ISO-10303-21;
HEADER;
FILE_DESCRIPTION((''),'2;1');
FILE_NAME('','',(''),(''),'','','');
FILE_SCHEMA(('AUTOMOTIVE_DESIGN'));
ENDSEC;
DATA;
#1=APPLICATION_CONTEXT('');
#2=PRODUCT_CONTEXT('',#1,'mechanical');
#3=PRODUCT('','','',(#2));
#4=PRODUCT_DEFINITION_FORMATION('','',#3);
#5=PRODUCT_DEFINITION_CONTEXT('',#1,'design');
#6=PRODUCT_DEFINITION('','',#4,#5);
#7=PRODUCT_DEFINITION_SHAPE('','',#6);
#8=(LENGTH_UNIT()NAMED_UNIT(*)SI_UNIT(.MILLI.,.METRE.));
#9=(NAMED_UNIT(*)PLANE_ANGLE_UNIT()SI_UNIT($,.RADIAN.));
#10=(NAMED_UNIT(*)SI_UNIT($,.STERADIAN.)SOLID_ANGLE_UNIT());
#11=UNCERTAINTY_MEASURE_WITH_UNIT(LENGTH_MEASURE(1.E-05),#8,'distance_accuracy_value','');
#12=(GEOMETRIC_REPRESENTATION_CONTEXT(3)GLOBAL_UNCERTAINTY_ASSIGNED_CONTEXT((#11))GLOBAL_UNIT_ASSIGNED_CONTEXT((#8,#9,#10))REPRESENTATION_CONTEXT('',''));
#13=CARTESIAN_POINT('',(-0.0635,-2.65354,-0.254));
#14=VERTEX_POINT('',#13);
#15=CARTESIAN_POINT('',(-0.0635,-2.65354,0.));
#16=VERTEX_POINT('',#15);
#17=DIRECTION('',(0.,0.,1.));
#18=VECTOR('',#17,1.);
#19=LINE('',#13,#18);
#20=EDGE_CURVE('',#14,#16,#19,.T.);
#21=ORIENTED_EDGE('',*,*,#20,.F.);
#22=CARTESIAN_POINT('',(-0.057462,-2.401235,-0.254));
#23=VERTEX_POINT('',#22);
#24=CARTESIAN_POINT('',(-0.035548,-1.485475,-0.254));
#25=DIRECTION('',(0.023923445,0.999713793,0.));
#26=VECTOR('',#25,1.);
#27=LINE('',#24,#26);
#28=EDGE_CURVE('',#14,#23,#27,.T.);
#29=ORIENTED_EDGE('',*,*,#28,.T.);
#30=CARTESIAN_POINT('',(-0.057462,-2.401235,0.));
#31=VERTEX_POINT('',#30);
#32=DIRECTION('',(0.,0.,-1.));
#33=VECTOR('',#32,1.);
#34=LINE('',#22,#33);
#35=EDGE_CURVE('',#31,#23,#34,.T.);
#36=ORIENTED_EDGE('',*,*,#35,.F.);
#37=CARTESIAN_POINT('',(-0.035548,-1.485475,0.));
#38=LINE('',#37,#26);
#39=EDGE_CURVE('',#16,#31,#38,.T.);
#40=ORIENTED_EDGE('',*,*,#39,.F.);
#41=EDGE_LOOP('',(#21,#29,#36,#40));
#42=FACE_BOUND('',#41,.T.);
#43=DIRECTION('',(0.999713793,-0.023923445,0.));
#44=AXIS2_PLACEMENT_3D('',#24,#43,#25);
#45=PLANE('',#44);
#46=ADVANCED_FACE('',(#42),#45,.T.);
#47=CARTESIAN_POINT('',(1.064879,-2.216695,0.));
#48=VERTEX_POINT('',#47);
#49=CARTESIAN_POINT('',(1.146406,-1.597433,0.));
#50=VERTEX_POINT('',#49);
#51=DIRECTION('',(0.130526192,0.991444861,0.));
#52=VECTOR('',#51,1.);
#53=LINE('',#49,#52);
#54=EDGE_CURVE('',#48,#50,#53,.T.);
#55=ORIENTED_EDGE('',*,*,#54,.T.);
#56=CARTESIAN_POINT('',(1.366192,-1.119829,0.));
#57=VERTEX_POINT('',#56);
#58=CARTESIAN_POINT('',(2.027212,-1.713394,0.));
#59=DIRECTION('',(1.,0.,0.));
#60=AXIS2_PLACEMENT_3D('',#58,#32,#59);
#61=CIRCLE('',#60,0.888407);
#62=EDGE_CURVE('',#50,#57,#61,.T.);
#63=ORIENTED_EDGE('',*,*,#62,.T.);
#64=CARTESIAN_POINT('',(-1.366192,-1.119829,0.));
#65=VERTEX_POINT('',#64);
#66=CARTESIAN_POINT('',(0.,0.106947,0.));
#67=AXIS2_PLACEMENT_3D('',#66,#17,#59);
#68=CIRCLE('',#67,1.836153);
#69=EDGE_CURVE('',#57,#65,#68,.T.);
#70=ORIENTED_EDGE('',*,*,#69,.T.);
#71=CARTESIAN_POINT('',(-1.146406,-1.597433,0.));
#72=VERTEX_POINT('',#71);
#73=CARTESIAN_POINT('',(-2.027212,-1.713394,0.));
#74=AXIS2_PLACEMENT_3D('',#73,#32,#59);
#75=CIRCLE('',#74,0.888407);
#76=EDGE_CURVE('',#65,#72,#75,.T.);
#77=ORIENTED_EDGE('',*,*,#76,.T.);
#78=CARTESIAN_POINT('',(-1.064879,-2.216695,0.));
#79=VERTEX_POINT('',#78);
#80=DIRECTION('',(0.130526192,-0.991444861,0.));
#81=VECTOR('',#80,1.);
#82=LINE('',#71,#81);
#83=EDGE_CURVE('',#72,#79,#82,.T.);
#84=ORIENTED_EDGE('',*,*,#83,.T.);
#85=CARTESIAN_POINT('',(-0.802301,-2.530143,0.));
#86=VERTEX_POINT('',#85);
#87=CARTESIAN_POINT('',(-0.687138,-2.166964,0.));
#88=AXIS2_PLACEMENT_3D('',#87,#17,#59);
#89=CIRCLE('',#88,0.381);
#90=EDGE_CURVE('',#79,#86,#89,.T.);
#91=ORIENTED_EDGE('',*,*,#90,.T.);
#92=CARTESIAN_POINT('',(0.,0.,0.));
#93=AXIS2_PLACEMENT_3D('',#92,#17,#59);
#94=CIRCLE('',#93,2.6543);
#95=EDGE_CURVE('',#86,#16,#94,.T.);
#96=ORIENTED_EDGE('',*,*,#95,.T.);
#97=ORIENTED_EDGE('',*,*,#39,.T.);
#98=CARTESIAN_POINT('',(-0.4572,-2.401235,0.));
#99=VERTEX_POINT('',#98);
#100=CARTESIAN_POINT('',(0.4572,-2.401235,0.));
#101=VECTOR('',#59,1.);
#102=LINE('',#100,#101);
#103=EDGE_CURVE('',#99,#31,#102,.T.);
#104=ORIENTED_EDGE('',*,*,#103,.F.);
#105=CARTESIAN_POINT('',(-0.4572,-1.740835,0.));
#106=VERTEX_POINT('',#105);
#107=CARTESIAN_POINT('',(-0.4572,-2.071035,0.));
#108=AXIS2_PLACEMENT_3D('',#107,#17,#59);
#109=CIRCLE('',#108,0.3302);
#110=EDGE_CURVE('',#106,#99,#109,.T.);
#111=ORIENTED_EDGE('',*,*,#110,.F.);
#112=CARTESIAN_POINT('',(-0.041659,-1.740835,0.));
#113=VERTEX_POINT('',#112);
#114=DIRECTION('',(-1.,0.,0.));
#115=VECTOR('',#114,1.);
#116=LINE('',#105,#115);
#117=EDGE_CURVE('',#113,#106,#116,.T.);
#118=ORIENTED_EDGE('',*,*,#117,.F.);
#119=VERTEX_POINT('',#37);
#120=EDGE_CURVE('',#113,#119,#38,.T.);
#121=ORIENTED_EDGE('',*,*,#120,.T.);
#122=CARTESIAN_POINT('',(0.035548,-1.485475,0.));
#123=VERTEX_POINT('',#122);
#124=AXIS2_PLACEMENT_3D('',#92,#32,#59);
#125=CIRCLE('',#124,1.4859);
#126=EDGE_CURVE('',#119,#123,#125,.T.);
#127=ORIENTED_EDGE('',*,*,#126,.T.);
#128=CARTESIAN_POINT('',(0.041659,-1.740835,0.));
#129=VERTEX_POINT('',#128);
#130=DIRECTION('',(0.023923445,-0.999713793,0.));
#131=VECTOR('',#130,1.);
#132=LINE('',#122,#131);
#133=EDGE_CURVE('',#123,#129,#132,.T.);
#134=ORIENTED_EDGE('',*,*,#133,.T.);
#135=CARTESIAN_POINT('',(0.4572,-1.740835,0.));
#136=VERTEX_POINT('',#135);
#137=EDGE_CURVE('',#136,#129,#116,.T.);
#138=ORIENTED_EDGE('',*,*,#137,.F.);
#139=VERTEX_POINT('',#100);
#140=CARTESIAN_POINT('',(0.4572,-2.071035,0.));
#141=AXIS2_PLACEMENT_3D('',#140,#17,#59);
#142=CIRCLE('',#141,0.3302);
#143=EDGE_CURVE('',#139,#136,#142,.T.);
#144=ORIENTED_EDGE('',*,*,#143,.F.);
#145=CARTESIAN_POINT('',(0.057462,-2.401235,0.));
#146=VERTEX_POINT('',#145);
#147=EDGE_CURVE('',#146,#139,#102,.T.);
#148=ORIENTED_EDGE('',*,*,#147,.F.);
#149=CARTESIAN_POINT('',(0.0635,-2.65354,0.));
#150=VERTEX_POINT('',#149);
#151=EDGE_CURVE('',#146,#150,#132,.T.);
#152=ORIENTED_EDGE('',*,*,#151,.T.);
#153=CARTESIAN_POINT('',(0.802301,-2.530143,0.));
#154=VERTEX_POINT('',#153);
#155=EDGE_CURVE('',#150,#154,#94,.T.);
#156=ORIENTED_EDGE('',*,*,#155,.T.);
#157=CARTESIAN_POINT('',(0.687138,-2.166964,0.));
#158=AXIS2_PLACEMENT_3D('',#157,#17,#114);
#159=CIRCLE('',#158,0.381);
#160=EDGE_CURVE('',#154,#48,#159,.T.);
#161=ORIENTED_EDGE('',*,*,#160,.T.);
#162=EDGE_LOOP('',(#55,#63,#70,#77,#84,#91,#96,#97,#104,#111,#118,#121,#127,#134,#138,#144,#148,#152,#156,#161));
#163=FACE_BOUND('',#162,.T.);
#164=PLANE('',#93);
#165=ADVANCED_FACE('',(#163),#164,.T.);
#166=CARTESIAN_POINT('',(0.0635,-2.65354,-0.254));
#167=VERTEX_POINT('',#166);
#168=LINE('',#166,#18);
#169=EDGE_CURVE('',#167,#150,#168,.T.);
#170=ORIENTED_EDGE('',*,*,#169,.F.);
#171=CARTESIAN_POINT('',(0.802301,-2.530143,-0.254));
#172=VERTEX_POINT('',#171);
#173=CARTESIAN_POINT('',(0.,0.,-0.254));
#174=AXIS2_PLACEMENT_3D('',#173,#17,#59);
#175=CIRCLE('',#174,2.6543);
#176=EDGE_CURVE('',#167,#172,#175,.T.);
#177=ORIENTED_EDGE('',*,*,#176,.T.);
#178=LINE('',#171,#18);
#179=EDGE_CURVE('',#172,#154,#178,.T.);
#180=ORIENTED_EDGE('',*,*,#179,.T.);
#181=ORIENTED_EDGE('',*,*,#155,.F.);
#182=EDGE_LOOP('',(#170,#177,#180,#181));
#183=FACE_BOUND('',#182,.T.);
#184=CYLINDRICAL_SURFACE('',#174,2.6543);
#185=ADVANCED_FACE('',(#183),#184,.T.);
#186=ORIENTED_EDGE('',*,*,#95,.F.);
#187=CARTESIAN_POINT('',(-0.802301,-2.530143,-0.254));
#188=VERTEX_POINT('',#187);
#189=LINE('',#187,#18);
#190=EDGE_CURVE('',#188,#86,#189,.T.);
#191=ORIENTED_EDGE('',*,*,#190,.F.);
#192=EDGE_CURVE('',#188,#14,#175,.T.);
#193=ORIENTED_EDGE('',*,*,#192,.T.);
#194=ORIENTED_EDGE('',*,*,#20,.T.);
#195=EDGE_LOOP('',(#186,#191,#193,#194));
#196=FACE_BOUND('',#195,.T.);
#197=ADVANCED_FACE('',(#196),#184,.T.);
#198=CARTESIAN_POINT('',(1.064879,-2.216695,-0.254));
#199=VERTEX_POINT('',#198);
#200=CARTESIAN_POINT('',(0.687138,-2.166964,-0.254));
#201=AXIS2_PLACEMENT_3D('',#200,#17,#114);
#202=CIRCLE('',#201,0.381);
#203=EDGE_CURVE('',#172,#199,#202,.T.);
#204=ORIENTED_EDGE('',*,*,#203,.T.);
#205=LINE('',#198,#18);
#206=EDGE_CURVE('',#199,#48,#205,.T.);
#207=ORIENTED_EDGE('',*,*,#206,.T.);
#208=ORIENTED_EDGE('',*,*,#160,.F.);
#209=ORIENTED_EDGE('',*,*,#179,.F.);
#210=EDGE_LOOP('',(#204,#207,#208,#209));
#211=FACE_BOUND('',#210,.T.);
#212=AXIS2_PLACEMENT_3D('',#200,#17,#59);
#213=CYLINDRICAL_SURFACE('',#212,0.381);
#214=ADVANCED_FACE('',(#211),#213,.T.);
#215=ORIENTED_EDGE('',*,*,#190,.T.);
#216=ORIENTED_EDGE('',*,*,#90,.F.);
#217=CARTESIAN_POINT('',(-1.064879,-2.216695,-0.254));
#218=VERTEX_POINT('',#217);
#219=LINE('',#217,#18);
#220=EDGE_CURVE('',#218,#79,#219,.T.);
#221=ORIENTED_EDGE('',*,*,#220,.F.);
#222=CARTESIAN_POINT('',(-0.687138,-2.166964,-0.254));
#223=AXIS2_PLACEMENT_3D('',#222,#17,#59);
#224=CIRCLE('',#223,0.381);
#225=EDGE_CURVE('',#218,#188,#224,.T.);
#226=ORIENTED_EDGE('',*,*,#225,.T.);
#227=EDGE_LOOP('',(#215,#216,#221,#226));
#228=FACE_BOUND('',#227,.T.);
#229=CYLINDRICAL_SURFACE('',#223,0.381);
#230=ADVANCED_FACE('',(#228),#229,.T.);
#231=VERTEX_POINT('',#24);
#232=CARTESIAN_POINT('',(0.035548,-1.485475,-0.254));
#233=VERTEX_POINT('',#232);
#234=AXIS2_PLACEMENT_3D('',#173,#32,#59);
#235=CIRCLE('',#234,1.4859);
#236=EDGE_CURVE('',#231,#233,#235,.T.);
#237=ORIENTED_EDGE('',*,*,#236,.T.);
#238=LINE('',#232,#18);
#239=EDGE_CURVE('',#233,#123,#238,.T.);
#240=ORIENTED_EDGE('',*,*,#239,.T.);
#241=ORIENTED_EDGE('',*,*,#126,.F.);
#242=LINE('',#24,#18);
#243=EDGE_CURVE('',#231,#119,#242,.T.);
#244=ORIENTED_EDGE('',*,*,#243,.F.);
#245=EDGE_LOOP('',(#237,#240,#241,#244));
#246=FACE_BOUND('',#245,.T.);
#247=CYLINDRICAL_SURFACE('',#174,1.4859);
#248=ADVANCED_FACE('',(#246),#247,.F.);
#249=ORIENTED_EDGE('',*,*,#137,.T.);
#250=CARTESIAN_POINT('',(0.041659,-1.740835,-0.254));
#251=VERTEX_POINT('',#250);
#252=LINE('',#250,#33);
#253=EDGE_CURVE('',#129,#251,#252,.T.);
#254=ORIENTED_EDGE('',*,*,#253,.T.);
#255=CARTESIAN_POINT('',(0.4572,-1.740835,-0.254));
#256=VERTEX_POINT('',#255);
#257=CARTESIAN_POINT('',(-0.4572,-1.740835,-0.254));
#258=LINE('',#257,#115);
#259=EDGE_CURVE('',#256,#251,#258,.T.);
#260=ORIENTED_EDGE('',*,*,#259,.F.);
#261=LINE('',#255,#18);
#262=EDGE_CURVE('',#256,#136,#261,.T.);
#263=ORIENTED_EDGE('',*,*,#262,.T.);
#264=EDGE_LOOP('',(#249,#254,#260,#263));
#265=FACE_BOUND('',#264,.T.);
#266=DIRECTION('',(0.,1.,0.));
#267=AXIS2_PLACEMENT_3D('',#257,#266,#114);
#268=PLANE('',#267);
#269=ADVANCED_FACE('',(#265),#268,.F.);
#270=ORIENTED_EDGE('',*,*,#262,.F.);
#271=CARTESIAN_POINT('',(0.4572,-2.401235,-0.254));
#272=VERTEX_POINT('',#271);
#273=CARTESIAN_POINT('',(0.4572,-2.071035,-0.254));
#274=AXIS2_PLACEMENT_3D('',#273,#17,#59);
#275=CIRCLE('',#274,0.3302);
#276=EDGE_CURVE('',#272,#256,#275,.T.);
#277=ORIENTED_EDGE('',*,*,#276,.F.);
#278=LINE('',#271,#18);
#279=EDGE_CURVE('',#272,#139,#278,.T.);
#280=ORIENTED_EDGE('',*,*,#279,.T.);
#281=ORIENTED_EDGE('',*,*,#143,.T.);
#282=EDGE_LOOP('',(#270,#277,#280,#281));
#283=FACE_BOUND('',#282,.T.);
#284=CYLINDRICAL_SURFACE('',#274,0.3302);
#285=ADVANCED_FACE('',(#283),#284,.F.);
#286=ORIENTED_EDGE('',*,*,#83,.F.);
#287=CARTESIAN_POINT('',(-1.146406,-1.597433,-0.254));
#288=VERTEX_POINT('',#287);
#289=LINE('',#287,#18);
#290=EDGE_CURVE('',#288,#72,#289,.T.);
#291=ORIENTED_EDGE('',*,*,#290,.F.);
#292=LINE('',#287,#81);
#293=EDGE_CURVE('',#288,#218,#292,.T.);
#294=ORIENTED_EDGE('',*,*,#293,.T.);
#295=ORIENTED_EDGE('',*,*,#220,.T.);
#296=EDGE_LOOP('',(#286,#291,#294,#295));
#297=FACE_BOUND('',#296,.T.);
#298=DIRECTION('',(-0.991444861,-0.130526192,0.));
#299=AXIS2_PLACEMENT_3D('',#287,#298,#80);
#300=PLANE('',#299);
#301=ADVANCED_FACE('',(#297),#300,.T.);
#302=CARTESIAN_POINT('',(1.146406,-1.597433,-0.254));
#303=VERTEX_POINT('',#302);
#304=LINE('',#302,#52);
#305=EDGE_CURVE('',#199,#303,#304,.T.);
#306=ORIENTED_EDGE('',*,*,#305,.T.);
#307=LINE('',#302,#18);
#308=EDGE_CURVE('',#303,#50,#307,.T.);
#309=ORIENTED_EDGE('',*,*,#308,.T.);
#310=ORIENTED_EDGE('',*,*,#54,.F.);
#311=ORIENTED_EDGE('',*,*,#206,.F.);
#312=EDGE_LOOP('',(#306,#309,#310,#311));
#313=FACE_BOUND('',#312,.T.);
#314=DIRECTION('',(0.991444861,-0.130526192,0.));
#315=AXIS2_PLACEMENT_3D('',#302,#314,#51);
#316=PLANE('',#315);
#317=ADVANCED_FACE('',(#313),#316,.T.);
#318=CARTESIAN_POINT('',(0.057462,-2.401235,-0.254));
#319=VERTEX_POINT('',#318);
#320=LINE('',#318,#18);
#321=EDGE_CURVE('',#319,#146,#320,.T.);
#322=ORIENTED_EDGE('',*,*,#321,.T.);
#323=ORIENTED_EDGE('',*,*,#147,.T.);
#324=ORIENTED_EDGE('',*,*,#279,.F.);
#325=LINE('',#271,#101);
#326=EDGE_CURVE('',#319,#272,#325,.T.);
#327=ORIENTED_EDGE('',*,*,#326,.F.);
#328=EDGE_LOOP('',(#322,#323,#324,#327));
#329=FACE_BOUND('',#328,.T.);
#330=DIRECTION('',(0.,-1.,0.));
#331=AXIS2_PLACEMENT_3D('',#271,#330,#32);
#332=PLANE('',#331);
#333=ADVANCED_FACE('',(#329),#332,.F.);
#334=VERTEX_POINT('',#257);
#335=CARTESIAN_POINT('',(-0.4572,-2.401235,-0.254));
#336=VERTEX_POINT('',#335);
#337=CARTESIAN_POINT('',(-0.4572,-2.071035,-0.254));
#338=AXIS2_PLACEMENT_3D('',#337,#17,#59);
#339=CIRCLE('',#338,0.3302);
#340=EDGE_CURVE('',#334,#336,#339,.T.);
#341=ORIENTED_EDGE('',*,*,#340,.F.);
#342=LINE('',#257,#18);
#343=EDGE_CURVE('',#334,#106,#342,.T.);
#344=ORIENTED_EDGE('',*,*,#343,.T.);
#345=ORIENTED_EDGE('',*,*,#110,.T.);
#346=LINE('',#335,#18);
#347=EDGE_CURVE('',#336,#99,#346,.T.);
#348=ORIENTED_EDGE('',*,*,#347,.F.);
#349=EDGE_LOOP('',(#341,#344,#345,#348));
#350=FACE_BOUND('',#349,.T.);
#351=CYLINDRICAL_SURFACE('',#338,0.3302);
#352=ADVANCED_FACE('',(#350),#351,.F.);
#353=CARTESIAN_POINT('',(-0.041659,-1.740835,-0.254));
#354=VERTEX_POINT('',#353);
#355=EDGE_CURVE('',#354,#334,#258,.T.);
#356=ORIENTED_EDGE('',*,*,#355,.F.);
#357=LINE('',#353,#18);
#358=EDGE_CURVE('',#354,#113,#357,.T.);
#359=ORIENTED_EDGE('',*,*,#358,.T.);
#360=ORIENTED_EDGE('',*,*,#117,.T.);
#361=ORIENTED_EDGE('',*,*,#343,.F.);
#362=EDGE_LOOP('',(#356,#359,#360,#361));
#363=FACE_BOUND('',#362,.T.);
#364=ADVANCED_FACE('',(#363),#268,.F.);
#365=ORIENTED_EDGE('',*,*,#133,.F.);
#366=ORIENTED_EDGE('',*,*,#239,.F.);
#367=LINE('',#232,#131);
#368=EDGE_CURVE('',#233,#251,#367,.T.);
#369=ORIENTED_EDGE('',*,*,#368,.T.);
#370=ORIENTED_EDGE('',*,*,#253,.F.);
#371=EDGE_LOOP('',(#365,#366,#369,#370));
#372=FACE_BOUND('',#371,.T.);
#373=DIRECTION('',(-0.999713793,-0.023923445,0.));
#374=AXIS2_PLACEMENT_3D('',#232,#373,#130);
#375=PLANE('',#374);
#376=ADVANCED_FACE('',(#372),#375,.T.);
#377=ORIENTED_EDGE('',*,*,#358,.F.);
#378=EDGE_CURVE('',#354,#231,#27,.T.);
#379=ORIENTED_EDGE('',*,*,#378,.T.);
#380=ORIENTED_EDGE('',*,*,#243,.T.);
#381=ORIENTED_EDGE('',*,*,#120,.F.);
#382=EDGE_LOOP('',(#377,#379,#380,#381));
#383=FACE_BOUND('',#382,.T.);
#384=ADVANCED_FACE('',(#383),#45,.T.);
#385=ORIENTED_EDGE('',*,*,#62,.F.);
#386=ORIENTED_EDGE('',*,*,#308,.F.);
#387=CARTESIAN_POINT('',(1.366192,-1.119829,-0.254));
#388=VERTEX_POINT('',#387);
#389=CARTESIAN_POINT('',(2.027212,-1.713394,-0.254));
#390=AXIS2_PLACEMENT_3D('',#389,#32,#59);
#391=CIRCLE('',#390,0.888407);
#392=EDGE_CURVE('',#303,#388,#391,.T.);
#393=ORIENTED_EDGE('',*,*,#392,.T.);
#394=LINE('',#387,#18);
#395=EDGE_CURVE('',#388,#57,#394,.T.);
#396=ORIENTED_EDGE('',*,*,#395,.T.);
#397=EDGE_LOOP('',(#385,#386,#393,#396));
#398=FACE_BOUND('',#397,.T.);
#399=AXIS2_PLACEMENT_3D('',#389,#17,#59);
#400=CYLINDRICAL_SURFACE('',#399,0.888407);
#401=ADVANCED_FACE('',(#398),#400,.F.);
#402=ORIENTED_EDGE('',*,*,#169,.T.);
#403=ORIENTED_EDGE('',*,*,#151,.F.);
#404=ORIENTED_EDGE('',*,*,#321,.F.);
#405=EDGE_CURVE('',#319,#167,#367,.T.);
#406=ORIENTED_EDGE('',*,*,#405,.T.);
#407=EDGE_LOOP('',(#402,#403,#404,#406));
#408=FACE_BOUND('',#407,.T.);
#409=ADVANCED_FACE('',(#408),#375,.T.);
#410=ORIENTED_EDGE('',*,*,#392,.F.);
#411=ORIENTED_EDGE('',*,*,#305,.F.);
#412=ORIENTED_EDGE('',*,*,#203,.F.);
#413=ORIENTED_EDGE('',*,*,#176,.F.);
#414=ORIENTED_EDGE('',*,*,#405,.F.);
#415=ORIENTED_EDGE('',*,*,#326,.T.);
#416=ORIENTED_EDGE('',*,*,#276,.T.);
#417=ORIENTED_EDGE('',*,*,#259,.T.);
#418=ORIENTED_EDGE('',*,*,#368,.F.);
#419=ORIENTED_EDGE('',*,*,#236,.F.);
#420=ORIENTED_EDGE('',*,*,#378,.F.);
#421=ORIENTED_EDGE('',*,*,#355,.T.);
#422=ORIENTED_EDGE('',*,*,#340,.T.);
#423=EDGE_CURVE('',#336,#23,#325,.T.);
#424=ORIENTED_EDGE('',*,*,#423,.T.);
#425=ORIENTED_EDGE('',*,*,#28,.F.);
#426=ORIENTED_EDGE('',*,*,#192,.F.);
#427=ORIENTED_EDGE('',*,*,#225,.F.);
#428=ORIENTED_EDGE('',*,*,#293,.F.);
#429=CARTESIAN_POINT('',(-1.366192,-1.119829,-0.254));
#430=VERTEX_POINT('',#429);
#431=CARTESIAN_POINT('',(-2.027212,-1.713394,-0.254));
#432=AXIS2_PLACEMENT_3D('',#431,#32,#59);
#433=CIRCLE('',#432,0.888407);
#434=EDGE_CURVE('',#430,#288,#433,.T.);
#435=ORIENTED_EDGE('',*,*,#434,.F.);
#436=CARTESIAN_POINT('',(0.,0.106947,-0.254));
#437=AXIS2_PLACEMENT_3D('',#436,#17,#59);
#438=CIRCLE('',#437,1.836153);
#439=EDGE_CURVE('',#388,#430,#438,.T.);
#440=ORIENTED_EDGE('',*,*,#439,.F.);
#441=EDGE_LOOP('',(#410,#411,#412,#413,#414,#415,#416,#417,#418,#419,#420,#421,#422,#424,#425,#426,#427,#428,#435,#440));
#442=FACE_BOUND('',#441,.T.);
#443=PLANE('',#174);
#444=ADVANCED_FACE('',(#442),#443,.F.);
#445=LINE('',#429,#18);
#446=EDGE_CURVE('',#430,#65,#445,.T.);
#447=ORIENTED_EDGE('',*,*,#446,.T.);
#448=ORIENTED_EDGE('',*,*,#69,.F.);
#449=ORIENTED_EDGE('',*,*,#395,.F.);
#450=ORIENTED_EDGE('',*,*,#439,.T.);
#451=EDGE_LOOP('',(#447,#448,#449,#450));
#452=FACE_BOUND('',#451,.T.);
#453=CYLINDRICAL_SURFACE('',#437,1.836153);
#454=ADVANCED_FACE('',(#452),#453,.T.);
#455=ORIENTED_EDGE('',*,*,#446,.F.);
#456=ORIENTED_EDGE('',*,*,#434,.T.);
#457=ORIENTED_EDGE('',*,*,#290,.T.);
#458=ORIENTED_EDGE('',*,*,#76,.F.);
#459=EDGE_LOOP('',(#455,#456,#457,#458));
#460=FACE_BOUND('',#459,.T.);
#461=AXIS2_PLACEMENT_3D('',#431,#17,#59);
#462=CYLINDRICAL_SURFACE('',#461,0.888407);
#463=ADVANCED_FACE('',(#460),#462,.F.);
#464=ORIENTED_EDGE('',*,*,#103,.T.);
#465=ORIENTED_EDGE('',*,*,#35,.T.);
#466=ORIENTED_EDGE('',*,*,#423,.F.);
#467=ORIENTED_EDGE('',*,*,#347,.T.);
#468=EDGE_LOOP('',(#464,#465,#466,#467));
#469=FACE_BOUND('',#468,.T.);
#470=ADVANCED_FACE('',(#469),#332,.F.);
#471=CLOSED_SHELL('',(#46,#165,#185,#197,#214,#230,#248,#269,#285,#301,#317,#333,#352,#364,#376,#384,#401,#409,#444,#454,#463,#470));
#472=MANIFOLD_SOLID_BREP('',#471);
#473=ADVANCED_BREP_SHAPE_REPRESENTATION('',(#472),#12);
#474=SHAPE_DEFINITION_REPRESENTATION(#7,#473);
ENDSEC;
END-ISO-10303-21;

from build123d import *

# Parameters (mm, degrees)
BODYSKE_R   = 0.3302
BODY_DEPTH  = 0.254
NOTSKE_W    = 0.9144
NOTSKE_H    = 0.6604
NOTCH_DEPTH = 4.236858287


with BuildPart() as part:
    # BodySke → Body (new body)
    with BuildSketch(Plane.XY):
        with BuildLine():
            Line((0.035547847, -1.485474726), (0.0635, -2.653540322))
            ThreePointArc((0.0635, -2.653540322), (0.437275158, -2.618033408), (0.802300937, -2.530142624))
            ThreePointArc((0.802300937, -2.530142624), (0.97920115, -2.411627675), (1.064878615, -2.216694736))
            Line((1.064878615, -2.216694736), (1.146405921, -1.597433366))
            ThreePointArc((1.146405921, -1.597433366), (1.220159808, -1.342000445), (1.366192167, -1.119828973))
            ThreePointArc((1.366192167, -1.119828973), (0, 1.9431), (-1.366192167, -1.119828973))
            ThreePointArc((-1.366192167, -1.119828973), (-1.220159808, -1.342000445), (-1.146405921, -1.597433366))
            Line((-1.146405921, -1.597433366), (-1.064878615, -2.216694736))
            ThreePointArc((-1.064878615, -2.216694736), (-0.97920115, -2.411627675), (-0.802300937, -2.530142624))
            ThreePointArc((-0.802300937, -2.530142624), (-0.437275158, -2.618033408), (-0.0635, -2.653540322))
            Line((-0.0635, -2.653540322), (-0.035547847, -1.485474726))
            ThreePointArc((-0.035547847, -1.485474726), (0, 1.4859), (0.035547847, -1.485474726))
        make_face()
        with Locations((0.4572, -2.071034758)):
            Circle(BODYSKE_R, mode=Mode.SUBTRACT)
        with Locations((-0.4572, -2.071034758)):
            Circle(BODYSKE_R, mode=Mode.SUBTRACT)
    extrude(amount=-BODY_DEPTH)

    # NotSke → Notch (cut, through all)
    with BuildSketch(Plane.XY):
        with Locations((0, -2.071034758)):
            Rectangle(NOTSKE_W, NOTSKE_H)
    extrude(amount=-NOTCH_DEPTH, mode=Mode.SUBTRACT)


solid = part.part
